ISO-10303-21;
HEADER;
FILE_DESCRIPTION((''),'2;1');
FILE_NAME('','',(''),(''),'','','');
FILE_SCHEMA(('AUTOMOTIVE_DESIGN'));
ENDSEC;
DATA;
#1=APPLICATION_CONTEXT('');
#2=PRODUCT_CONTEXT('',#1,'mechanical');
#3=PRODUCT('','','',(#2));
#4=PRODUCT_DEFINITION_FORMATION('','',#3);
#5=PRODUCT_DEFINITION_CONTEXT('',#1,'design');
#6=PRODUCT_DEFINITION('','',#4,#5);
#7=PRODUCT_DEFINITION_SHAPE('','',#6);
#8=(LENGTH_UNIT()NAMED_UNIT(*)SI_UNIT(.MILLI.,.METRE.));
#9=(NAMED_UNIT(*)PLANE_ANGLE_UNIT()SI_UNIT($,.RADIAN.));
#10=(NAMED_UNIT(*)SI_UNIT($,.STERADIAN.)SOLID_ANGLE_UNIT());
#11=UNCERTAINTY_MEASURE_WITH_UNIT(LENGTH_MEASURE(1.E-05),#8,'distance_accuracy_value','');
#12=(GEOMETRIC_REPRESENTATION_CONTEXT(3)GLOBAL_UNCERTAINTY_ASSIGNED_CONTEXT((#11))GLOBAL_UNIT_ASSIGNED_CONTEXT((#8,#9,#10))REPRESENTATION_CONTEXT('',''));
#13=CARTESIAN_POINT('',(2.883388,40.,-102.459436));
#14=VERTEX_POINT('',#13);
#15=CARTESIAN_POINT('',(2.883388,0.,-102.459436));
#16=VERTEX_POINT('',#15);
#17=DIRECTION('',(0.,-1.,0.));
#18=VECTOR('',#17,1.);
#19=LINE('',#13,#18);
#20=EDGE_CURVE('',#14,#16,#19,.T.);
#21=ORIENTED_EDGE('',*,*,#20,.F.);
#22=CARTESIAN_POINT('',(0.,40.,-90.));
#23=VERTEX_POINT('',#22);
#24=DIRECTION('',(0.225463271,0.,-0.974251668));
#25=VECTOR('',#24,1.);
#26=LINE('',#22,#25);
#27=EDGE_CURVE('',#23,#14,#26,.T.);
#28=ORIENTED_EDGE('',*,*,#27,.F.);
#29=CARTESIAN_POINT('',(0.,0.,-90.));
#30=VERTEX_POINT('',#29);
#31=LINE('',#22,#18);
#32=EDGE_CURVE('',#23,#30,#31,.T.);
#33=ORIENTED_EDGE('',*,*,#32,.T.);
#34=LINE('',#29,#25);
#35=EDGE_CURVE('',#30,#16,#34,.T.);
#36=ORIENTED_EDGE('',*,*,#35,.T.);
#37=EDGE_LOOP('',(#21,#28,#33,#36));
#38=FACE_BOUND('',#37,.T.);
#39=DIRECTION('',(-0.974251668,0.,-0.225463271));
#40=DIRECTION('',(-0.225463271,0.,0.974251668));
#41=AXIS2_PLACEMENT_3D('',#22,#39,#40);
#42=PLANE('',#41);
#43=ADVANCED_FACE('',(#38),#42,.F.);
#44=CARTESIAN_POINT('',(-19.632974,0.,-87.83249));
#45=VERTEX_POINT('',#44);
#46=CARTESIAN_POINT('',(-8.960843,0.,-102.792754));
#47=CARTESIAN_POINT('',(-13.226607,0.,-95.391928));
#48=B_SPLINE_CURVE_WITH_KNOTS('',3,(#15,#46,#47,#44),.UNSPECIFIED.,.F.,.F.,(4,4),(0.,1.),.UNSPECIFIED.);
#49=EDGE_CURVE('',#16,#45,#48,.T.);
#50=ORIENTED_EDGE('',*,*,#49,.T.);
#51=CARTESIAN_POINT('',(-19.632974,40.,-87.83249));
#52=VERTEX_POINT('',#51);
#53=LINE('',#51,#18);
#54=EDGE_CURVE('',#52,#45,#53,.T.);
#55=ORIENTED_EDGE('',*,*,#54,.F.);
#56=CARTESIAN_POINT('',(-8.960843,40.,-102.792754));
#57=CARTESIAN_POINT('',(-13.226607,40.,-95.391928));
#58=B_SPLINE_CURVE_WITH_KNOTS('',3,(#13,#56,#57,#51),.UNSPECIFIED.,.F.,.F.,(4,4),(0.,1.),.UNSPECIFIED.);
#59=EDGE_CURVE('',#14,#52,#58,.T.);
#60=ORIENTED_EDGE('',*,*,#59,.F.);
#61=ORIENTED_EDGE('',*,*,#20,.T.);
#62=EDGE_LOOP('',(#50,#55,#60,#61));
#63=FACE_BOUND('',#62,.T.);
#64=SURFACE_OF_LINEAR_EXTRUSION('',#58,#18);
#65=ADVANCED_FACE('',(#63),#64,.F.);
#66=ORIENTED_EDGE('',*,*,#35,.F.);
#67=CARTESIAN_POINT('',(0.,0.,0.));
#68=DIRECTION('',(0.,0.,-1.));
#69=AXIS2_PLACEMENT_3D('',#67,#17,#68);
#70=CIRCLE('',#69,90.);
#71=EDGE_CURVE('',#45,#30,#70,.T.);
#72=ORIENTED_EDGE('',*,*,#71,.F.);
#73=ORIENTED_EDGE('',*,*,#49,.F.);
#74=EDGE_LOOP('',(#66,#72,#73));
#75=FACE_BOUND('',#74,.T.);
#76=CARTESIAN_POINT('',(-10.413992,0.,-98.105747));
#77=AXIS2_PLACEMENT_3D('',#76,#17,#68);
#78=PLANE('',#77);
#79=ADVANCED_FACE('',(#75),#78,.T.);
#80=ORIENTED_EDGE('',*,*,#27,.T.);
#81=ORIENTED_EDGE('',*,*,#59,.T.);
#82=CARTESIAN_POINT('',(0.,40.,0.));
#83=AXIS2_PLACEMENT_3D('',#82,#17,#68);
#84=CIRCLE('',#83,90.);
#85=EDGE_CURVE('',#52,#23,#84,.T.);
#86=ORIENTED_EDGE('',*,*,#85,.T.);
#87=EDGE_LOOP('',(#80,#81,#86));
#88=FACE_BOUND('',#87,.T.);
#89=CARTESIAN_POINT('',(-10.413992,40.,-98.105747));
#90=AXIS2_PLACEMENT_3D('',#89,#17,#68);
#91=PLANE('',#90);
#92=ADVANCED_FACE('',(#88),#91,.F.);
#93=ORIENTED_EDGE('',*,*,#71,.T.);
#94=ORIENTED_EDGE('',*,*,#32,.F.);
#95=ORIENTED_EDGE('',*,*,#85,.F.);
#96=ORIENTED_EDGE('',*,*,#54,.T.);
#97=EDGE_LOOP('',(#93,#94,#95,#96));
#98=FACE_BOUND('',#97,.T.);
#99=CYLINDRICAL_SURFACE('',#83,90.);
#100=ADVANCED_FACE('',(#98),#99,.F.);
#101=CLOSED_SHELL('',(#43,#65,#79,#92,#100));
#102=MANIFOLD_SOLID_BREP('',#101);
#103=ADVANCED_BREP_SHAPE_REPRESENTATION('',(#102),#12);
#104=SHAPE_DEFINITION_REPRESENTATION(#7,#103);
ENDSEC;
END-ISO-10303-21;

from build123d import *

# Parameters (mm, degrees)
BOSS_EXTRUDE1_DEPTH = 40


with BuildPart() as part:
    # Sketch1 → Boss-Extrude1 (new body)
    with BuildSketch(Plane(origin=(0, 0, 0), x_dir=(1, 0, 0), z_dir=(0, 1, 0))):
        with BuildLine():
            Line((0, 90), (2.88338767, 102.459436245))
            add(Edge.make_bspline(
                [(2.88338767, 102.459436245), (-8.960842785, 102.792753597), (-13.226606766, 95.391928468), (-19.632973525, 87.83249029)],
                knots=[0, 0, 0, 0, 1, 1, 1, 1], degree=3))
            ThreePointArc((-19.632973525, 87.83249029), (-9.876129654, 89.456481392), (0, 90))
        make_face()
    extrude(amount=BOSS_EXTRUDE1_DEPTH)


solid = part.part
